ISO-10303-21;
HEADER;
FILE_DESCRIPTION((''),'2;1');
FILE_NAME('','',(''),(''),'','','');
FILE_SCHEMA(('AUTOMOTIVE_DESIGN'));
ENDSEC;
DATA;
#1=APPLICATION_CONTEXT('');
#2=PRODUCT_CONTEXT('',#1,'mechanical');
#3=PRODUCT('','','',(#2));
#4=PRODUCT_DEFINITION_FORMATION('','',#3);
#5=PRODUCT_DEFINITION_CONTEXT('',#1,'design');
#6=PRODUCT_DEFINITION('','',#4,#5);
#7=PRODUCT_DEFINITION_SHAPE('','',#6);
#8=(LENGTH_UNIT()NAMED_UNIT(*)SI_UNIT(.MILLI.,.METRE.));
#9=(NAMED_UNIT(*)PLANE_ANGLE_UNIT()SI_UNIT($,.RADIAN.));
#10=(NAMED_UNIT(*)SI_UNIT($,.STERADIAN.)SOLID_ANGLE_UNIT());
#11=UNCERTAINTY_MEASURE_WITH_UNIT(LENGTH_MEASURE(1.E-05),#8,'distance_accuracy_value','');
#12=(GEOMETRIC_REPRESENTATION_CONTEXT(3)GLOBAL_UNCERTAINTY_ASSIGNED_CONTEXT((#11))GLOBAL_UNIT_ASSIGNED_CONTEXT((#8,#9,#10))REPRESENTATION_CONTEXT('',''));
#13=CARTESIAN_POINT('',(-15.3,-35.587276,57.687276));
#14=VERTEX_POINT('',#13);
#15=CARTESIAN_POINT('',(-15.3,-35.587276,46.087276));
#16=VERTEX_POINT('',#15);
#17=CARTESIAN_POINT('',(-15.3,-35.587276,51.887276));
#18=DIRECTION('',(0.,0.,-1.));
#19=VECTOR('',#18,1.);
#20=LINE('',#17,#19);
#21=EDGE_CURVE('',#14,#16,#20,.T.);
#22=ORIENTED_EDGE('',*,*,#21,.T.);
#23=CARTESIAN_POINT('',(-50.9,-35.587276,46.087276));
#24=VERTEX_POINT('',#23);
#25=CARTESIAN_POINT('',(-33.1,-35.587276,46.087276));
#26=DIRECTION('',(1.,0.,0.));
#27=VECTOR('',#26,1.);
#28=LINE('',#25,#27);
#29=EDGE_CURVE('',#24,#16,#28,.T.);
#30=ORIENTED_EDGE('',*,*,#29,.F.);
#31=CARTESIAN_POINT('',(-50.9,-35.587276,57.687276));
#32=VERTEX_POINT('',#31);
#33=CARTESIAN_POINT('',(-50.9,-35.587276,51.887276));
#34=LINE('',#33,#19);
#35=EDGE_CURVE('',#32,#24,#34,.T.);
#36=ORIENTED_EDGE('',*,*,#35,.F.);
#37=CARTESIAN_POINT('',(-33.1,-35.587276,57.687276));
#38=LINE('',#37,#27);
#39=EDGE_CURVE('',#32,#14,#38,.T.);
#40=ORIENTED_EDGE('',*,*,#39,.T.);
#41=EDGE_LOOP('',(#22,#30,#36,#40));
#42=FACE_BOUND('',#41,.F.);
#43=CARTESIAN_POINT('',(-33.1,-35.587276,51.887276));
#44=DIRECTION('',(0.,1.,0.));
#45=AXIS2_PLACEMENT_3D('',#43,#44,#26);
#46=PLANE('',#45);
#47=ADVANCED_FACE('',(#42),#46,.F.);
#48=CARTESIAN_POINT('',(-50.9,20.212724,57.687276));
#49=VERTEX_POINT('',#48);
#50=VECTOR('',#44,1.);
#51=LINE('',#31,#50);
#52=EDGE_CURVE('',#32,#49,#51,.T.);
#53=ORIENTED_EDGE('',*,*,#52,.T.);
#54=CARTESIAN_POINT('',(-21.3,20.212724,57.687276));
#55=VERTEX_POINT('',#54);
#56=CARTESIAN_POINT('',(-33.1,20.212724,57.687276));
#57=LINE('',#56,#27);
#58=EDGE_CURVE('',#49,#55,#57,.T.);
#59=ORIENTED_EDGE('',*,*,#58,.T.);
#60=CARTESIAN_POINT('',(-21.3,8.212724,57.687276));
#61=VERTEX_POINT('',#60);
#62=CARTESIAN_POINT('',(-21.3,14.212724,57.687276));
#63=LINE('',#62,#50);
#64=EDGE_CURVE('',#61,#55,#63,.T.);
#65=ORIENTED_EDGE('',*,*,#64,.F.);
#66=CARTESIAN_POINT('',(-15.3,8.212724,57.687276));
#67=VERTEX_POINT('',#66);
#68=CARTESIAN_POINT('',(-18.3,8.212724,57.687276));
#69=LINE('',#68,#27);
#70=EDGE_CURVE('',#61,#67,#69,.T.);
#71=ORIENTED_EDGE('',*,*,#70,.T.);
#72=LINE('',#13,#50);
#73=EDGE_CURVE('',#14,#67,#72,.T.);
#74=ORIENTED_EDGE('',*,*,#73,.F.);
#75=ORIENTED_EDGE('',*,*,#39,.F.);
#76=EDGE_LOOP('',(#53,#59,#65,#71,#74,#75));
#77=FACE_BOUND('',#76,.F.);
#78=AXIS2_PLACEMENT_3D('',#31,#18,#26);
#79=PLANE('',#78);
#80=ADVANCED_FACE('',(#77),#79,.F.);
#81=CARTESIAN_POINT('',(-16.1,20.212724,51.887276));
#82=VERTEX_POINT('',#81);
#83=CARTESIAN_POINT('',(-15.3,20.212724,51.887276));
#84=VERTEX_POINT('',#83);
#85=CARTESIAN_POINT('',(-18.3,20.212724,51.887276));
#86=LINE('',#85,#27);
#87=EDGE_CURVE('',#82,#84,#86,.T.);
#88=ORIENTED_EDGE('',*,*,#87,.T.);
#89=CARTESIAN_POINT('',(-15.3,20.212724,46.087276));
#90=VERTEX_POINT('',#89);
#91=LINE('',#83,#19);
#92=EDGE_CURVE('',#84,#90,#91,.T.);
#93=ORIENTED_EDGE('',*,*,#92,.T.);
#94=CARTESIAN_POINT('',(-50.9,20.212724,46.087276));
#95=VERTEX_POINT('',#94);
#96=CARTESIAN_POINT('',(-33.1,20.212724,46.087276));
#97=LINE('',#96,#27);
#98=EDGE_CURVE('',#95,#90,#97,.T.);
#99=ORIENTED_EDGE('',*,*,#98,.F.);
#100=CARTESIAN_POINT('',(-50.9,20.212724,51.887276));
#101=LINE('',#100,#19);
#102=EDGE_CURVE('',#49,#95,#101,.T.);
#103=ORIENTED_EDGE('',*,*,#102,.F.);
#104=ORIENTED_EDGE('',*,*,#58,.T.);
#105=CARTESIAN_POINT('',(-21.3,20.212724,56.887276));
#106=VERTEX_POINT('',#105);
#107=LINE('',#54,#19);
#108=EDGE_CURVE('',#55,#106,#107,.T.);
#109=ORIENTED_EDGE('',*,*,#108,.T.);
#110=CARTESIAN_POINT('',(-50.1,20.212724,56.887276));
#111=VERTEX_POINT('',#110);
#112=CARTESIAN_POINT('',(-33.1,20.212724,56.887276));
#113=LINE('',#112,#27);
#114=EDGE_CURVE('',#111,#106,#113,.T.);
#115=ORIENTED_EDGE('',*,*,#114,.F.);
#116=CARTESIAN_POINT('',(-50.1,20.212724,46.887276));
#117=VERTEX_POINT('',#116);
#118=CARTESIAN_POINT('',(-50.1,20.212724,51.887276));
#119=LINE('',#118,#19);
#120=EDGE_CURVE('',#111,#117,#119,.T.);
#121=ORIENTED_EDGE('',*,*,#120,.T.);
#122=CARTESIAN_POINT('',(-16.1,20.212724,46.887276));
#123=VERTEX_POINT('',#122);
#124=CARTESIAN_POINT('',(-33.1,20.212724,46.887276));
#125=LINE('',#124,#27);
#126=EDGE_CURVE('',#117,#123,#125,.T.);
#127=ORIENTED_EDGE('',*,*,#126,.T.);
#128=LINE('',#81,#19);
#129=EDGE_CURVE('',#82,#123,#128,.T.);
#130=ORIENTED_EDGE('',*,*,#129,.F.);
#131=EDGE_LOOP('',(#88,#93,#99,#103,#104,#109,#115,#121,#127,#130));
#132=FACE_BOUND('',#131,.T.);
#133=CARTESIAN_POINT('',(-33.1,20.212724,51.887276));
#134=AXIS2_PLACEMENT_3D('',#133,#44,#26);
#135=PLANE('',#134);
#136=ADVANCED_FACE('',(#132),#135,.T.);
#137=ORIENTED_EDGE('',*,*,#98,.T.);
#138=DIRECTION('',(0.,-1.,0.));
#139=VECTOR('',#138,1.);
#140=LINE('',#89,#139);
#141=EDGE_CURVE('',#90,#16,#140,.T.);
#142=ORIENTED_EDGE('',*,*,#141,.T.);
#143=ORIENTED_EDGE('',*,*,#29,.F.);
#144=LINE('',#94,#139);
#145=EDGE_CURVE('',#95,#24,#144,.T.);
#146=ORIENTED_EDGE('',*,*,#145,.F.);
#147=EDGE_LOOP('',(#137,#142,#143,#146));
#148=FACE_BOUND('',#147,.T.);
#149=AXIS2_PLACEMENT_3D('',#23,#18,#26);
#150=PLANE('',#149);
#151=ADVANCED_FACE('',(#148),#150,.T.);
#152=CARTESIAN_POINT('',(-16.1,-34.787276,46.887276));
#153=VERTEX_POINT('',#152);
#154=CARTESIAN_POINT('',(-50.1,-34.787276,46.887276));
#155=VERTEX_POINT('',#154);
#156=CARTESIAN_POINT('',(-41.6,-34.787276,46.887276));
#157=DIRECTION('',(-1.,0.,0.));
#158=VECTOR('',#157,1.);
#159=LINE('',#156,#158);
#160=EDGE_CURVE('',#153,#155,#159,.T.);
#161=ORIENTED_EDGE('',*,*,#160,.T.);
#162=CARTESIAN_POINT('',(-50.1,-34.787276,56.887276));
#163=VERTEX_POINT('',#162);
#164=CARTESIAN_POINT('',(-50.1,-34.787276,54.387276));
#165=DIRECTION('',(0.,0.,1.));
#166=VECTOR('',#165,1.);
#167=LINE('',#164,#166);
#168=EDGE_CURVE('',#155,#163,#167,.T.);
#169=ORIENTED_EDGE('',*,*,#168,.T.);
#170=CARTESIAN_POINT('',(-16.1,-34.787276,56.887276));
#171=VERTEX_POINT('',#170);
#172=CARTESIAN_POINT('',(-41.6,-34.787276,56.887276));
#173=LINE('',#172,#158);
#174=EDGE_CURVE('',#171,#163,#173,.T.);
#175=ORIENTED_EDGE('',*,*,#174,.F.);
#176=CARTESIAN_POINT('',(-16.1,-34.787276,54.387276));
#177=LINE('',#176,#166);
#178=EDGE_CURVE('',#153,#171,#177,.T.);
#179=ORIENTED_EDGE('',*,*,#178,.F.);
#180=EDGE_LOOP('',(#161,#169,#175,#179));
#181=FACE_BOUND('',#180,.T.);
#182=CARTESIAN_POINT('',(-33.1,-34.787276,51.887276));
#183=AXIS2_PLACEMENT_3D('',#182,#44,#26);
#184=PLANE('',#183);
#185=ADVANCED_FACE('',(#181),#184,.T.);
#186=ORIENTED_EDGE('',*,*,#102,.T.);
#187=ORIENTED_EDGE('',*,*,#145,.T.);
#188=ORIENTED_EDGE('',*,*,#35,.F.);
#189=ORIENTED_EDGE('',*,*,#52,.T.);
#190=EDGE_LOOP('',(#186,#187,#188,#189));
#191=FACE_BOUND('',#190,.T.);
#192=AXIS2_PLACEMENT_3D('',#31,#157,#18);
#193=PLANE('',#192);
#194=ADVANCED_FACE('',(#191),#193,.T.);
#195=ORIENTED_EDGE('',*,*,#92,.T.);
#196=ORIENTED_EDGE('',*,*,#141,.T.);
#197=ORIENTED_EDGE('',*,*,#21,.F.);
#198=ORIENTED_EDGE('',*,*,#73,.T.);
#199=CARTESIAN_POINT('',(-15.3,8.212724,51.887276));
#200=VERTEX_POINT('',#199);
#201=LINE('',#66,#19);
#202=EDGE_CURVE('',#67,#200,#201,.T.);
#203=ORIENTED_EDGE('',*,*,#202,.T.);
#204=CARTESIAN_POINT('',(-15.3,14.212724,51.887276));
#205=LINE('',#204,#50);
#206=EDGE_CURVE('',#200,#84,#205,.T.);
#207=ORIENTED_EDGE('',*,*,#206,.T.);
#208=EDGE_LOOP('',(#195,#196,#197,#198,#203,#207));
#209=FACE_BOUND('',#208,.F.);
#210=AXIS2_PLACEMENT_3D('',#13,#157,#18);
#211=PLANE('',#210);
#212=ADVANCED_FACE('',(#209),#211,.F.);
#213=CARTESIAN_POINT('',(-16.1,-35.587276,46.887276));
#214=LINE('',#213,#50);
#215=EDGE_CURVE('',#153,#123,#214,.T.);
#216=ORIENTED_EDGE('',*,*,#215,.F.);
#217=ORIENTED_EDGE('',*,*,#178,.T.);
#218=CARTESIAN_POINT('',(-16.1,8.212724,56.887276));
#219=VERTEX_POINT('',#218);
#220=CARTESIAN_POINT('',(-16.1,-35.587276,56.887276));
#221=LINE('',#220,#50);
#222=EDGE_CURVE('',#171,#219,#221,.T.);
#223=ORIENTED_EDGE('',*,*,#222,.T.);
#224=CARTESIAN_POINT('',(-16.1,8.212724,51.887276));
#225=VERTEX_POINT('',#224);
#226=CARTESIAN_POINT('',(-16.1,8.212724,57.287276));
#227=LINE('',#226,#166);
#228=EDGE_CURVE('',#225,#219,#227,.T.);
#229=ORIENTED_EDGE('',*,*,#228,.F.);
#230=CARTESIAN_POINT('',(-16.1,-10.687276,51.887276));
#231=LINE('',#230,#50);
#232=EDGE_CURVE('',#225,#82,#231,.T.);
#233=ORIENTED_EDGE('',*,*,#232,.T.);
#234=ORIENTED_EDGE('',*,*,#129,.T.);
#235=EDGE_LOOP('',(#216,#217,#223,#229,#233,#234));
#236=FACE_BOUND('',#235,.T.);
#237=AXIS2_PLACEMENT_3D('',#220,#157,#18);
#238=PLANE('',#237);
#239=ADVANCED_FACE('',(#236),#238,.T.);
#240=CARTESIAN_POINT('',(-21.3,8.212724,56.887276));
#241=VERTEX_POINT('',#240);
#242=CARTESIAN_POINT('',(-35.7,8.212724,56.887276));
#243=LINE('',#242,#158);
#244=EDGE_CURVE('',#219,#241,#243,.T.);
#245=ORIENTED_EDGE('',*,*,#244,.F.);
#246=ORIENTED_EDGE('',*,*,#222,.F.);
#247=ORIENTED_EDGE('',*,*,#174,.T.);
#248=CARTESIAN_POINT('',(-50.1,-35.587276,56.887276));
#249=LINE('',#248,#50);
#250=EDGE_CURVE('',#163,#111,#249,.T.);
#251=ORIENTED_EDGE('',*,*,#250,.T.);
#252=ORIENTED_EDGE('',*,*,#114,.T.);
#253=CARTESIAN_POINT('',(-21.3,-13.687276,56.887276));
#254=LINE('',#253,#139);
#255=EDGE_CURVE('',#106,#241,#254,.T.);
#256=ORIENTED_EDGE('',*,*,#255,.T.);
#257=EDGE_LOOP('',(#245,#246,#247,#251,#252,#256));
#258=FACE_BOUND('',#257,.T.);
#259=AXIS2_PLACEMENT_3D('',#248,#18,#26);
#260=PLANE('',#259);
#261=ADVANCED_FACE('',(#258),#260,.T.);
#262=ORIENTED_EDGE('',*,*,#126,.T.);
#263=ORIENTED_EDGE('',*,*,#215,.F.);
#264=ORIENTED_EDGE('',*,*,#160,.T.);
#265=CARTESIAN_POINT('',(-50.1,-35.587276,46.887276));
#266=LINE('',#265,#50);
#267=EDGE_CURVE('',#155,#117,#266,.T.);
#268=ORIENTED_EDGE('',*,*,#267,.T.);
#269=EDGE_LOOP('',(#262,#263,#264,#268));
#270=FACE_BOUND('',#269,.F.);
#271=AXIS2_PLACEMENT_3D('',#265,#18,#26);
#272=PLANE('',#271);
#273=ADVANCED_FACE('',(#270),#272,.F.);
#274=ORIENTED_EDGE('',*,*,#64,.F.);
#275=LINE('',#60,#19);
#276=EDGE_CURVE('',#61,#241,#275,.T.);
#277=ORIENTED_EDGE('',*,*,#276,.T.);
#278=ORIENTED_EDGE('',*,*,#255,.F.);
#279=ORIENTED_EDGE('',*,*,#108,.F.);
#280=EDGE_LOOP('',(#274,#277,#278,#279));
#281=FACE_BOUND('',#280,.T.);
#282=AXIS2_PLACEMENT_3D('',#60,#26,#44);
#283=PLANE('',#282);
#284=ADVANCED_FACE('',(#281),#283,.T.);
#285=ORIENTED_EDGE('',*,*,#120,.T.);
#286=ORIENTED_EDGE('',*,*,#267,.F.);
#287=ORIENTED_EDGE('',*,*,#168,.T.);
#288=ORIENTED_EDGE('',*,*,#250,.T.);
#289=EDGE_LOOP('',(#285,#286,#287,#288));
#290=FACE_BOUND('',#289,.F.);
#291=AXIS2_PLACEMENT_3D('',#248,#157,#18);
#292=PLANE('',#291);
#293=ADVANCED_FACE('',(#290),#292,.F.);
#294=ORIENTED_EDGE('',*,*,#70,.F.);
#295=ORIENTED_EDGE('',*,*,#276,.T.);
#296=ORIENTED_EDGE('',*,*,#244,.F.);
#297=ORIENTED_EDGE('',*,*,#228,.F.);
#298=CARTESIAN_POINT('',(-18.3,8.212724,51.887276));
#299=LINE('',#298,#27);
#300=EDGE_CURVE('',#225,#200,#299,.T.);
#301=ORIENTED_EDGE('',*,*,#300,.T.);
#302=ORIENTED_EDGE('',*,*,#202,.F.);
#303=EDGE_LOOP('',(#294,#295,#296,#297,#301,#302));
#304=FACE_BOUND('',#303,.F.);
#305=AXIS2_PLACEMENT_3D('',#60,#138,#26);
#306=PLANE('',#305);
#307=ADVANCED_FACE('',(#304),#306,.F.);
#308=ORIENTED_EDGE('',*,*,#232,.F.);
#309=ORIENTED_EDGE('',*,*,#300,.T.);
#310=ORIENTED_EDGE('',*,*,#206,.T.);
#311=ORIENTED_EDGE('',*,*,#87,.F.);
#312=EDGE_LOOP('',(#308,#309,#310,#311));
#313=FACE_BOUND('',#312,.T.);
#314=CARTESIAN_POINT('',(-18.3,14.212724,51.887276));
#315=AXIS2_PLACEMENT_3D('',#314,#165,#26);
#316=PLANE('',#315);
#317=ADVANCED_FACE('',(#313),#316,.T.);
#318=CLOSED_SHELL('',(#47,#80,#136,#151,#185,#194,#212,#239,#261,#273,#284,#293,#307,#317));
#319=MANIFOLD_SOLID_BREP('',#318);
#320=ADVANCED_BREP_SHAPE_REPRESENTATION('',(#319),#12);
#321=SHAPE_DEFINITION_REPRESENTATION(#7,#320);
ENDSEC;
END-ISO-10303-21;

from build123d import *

# Parameters (mm, degrees)
SKETCH016_W             = 35.6
SKETCH016_H             = 11.6
PAD009_DEPTH            = 0.8
SKETCH017_W             = 35.6
SKETCH017_H             = 11.6
SKETCH017_W_2           = 34
SKETCH017_H_2           = 10
PAD010_DEPTH            = 55.8
SKETCH018_W             = 6
SKETCH018_H             = 12
POCKET007_DEPTH         = 5.8
BODY005_PLACEMENT_ANGLE = 270


with BuildPart() as part:
    # Sketch016 → Pad009 (new body)
    with BuildSketch(Plane.XY):
        Rectangle(SKETCH016_W, SKETCH016_H)
    extrude(amount=PAD009_DEPTH)

    # Sketch017 → Pad010 (join)
    with BuildSketch(Plane.XY):
        Rectangle(SKETCH017_W, SKETCH017_H)
        Rectangle(SKETCH017_W_2, SKETCH017_H_2, mode=Mode.SUBTRACT)
    extrude(amount=PAD010_DEPTH)

    # Sketch018 (on Face5 of Pad010) → Pocket007 (cut)
    with BuildSketch(Plane.XZ.offset(5.8)):
        with Locations((14.8, 49.8)):
            Rectangle(SKETCH018_W, SKETCH018_H)
    extrude(amount=-POCKET007_DEPTH, mode=Mode.SUBTRACT)


with BuildPart() as part_1:
    # Body005 placement: moved
    add(part.part.moved(Location((-33.1, -35.587276, 51.887276))).rotate(Axis((-33.1, -35.587276, 51.887276), (1, 0, 0)), BODY005_PLACEMENT_ANGLE))


solid = part_1.part
